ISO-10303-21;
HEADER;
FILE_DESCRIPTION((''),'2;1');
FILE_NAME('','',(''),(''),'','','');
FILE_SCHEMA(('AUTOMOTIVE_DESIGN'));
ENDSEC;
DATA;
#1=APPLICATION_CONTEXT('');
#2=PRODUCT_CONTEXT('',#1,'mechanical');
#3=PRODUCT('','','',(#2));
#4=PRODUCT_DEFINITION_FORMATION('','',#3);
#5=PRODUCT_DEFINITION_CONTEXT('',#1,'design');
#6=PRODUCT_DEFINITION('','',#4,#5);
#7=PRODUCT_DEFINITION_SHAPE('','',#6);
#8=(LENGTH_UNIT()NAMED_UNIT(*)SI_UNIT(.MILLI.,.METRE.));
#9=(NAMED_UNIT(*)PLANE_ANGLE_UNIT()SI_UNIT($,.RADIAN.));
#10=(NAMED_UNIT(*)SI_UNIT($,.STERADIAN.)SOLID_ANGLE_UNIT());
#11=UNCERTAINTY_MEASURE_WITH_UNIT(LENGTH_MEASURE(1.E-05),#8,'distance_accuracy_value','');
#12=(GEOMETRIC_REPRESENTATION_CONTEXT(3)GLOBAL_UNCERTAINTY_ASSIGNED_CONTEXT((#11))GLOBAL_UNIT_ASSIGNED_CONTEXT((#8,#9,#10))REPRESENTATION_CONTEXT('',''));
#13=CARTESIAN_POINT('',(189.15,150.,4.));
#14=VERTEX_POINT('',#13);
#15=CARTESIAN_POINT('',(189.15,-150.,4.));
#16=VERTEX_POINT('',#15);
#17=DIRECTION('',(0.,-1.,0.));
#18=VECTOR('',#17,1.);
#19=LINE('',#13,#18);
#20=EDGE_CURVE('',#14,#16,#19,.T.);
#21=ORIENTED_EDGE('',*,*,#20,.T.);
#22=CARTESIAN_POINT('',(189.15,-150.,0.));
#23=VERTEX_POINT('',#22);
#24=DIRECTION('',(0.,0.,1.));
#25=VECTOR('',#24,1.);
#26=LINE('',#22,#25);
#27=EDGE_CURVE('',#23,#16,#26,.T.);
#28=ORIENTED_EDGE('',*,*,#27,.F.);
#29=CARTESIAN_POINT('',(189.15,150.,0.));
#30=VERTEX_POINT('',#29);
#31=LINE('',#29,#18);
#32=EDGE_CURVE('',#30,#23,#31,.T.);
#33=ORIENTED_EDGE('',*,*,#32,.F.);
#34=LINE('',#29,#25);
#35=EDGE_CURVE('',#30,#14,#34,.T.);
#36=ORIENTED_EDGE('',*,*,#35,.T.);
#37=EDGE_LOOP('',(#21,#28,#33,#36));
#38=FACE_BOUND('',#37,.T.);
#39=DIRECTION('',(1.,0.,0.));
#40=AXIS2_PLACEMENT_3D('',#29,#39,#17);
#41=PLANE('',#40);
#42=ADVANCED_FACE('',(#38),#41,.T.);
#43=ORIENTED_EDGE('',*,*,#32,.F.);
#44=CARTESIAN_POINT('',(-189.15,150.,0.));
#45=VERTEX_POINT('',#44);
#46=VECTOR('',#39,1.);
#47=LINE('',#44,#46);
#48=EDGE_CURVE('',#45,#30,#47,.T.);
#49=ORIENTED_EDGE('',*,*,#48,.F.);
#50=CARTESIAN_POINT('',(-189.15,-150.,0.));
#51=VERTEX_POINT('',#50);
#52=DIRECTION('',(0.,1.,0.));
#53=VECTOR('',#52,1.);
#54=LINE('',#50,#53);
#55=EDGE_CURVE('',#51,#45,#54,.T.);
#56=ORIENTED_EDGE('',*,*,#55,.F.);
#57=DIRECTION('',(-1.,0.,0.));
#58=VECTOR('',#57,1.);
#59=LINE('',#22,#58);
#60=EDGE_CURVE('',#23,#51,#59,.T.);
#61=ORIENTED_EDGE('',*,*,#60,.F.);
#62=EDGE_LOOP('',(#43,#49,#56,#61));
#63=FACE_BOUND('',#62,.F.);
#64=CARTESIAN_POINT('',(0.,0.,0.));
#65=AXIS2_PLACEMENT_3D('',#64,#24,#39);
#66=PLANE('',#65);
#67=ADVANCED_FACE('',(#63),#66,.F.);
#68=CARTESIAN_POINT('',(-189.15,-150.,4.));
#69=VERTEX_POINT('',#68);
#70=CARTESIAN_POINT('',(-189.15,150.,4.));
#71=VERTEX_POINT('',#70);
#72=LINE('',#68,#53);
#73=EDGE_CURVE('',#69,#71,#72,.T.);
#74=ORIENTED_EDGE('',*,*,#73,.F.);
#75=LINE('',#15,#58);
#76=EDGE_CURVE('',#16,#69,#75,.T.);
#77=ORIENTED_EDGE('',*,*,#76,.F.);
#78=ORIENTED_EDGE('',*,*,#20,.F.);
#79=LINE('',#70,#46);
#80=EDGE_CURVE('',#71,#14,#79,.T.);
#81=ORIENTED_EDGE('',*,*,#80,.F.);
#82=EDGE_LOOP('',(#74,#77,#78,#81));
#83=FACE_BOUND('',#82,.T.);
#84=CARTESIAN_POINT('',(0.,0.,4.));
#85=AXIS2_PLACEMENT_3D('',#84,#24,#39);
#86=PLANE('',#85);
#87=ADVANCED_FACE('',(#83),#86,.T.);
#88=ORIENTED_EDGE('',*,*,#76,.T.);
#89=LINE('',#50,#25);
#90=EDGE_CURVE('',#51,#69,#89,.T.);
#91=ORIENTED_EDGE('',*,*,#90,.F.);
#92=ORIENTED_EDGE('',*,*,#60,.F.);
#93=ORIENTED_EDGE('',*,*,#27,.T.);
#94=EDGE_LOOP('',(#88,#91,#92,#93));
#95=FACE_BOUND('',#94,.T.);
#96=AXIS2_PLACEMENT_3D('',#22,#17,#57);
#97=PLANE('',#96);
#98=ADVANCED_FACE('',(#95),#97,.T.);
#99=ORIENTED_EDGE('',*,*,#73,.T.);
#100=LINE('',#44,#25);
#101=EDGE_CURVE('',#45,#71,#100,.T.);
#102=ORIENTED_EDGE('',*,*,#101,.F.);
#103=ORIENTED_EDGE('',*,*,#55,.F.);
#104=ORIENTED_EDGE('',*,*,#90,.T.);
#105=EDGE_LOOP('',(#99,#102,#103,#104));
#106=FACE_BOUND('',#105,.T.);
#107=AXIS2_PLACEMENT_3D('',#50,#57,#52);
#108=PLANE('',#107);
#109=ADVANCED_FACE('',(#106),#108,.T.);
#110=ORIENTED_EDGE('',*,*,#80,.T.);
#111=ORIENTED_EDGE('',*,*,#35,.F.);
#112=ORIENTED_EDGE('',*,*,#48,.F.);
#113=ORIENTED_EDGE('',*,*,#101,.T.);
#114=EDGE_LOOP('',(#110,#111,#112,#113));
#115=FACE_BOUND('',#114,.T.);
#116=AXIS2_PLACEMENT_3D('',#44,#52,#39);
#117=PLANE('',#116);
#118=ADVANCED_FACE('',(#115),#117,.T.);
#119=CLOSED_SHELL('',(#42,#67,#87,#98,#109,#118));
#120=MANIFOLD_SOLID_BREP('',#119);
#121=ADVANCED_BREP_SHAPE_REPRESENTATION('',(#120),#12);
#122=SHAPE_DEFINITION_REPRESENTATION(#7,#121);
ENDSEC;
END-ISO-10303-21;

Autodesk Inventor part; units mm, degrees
ref_plane "YZ Plane" through (0, 0, 0) normal (1, 0, 0) x (0, 1, 0)
ref_plane "XZ Plane" through (0, 0, 0) normal (0, 1, 0) x (-1, 0, 0)
ref_plane "XY Plane" through (0, 0, 0) normal (0, 0, 1) x (1, 0, 0)
sketch "Esboço1" plane through (0, 0, 0) normal (0, 0, 1) x (1, 0, 0)
  line L0 (189.15, -150) -> (-189.15, -150)
  line L1 (-189.15, -150) -> (-189.15, 150)
  line L2 (-189.15, 150) -> (189.15, 150)
  line L3 (189.15, 150) -> (189.15, -150)
  line L4 (189.15, -150) -> (-189.15, 150) construction
  line L5 (-189.15, -150) -> (189.15, 150) construction
  point P0 (0, 0)
  dimension "d0" = 300
  dimension "d1" = 378.3
extrude "Extrusão1" add sketch "Esboço1" along normal blind 4
properties part number "Chapa Lateral - Intake"
